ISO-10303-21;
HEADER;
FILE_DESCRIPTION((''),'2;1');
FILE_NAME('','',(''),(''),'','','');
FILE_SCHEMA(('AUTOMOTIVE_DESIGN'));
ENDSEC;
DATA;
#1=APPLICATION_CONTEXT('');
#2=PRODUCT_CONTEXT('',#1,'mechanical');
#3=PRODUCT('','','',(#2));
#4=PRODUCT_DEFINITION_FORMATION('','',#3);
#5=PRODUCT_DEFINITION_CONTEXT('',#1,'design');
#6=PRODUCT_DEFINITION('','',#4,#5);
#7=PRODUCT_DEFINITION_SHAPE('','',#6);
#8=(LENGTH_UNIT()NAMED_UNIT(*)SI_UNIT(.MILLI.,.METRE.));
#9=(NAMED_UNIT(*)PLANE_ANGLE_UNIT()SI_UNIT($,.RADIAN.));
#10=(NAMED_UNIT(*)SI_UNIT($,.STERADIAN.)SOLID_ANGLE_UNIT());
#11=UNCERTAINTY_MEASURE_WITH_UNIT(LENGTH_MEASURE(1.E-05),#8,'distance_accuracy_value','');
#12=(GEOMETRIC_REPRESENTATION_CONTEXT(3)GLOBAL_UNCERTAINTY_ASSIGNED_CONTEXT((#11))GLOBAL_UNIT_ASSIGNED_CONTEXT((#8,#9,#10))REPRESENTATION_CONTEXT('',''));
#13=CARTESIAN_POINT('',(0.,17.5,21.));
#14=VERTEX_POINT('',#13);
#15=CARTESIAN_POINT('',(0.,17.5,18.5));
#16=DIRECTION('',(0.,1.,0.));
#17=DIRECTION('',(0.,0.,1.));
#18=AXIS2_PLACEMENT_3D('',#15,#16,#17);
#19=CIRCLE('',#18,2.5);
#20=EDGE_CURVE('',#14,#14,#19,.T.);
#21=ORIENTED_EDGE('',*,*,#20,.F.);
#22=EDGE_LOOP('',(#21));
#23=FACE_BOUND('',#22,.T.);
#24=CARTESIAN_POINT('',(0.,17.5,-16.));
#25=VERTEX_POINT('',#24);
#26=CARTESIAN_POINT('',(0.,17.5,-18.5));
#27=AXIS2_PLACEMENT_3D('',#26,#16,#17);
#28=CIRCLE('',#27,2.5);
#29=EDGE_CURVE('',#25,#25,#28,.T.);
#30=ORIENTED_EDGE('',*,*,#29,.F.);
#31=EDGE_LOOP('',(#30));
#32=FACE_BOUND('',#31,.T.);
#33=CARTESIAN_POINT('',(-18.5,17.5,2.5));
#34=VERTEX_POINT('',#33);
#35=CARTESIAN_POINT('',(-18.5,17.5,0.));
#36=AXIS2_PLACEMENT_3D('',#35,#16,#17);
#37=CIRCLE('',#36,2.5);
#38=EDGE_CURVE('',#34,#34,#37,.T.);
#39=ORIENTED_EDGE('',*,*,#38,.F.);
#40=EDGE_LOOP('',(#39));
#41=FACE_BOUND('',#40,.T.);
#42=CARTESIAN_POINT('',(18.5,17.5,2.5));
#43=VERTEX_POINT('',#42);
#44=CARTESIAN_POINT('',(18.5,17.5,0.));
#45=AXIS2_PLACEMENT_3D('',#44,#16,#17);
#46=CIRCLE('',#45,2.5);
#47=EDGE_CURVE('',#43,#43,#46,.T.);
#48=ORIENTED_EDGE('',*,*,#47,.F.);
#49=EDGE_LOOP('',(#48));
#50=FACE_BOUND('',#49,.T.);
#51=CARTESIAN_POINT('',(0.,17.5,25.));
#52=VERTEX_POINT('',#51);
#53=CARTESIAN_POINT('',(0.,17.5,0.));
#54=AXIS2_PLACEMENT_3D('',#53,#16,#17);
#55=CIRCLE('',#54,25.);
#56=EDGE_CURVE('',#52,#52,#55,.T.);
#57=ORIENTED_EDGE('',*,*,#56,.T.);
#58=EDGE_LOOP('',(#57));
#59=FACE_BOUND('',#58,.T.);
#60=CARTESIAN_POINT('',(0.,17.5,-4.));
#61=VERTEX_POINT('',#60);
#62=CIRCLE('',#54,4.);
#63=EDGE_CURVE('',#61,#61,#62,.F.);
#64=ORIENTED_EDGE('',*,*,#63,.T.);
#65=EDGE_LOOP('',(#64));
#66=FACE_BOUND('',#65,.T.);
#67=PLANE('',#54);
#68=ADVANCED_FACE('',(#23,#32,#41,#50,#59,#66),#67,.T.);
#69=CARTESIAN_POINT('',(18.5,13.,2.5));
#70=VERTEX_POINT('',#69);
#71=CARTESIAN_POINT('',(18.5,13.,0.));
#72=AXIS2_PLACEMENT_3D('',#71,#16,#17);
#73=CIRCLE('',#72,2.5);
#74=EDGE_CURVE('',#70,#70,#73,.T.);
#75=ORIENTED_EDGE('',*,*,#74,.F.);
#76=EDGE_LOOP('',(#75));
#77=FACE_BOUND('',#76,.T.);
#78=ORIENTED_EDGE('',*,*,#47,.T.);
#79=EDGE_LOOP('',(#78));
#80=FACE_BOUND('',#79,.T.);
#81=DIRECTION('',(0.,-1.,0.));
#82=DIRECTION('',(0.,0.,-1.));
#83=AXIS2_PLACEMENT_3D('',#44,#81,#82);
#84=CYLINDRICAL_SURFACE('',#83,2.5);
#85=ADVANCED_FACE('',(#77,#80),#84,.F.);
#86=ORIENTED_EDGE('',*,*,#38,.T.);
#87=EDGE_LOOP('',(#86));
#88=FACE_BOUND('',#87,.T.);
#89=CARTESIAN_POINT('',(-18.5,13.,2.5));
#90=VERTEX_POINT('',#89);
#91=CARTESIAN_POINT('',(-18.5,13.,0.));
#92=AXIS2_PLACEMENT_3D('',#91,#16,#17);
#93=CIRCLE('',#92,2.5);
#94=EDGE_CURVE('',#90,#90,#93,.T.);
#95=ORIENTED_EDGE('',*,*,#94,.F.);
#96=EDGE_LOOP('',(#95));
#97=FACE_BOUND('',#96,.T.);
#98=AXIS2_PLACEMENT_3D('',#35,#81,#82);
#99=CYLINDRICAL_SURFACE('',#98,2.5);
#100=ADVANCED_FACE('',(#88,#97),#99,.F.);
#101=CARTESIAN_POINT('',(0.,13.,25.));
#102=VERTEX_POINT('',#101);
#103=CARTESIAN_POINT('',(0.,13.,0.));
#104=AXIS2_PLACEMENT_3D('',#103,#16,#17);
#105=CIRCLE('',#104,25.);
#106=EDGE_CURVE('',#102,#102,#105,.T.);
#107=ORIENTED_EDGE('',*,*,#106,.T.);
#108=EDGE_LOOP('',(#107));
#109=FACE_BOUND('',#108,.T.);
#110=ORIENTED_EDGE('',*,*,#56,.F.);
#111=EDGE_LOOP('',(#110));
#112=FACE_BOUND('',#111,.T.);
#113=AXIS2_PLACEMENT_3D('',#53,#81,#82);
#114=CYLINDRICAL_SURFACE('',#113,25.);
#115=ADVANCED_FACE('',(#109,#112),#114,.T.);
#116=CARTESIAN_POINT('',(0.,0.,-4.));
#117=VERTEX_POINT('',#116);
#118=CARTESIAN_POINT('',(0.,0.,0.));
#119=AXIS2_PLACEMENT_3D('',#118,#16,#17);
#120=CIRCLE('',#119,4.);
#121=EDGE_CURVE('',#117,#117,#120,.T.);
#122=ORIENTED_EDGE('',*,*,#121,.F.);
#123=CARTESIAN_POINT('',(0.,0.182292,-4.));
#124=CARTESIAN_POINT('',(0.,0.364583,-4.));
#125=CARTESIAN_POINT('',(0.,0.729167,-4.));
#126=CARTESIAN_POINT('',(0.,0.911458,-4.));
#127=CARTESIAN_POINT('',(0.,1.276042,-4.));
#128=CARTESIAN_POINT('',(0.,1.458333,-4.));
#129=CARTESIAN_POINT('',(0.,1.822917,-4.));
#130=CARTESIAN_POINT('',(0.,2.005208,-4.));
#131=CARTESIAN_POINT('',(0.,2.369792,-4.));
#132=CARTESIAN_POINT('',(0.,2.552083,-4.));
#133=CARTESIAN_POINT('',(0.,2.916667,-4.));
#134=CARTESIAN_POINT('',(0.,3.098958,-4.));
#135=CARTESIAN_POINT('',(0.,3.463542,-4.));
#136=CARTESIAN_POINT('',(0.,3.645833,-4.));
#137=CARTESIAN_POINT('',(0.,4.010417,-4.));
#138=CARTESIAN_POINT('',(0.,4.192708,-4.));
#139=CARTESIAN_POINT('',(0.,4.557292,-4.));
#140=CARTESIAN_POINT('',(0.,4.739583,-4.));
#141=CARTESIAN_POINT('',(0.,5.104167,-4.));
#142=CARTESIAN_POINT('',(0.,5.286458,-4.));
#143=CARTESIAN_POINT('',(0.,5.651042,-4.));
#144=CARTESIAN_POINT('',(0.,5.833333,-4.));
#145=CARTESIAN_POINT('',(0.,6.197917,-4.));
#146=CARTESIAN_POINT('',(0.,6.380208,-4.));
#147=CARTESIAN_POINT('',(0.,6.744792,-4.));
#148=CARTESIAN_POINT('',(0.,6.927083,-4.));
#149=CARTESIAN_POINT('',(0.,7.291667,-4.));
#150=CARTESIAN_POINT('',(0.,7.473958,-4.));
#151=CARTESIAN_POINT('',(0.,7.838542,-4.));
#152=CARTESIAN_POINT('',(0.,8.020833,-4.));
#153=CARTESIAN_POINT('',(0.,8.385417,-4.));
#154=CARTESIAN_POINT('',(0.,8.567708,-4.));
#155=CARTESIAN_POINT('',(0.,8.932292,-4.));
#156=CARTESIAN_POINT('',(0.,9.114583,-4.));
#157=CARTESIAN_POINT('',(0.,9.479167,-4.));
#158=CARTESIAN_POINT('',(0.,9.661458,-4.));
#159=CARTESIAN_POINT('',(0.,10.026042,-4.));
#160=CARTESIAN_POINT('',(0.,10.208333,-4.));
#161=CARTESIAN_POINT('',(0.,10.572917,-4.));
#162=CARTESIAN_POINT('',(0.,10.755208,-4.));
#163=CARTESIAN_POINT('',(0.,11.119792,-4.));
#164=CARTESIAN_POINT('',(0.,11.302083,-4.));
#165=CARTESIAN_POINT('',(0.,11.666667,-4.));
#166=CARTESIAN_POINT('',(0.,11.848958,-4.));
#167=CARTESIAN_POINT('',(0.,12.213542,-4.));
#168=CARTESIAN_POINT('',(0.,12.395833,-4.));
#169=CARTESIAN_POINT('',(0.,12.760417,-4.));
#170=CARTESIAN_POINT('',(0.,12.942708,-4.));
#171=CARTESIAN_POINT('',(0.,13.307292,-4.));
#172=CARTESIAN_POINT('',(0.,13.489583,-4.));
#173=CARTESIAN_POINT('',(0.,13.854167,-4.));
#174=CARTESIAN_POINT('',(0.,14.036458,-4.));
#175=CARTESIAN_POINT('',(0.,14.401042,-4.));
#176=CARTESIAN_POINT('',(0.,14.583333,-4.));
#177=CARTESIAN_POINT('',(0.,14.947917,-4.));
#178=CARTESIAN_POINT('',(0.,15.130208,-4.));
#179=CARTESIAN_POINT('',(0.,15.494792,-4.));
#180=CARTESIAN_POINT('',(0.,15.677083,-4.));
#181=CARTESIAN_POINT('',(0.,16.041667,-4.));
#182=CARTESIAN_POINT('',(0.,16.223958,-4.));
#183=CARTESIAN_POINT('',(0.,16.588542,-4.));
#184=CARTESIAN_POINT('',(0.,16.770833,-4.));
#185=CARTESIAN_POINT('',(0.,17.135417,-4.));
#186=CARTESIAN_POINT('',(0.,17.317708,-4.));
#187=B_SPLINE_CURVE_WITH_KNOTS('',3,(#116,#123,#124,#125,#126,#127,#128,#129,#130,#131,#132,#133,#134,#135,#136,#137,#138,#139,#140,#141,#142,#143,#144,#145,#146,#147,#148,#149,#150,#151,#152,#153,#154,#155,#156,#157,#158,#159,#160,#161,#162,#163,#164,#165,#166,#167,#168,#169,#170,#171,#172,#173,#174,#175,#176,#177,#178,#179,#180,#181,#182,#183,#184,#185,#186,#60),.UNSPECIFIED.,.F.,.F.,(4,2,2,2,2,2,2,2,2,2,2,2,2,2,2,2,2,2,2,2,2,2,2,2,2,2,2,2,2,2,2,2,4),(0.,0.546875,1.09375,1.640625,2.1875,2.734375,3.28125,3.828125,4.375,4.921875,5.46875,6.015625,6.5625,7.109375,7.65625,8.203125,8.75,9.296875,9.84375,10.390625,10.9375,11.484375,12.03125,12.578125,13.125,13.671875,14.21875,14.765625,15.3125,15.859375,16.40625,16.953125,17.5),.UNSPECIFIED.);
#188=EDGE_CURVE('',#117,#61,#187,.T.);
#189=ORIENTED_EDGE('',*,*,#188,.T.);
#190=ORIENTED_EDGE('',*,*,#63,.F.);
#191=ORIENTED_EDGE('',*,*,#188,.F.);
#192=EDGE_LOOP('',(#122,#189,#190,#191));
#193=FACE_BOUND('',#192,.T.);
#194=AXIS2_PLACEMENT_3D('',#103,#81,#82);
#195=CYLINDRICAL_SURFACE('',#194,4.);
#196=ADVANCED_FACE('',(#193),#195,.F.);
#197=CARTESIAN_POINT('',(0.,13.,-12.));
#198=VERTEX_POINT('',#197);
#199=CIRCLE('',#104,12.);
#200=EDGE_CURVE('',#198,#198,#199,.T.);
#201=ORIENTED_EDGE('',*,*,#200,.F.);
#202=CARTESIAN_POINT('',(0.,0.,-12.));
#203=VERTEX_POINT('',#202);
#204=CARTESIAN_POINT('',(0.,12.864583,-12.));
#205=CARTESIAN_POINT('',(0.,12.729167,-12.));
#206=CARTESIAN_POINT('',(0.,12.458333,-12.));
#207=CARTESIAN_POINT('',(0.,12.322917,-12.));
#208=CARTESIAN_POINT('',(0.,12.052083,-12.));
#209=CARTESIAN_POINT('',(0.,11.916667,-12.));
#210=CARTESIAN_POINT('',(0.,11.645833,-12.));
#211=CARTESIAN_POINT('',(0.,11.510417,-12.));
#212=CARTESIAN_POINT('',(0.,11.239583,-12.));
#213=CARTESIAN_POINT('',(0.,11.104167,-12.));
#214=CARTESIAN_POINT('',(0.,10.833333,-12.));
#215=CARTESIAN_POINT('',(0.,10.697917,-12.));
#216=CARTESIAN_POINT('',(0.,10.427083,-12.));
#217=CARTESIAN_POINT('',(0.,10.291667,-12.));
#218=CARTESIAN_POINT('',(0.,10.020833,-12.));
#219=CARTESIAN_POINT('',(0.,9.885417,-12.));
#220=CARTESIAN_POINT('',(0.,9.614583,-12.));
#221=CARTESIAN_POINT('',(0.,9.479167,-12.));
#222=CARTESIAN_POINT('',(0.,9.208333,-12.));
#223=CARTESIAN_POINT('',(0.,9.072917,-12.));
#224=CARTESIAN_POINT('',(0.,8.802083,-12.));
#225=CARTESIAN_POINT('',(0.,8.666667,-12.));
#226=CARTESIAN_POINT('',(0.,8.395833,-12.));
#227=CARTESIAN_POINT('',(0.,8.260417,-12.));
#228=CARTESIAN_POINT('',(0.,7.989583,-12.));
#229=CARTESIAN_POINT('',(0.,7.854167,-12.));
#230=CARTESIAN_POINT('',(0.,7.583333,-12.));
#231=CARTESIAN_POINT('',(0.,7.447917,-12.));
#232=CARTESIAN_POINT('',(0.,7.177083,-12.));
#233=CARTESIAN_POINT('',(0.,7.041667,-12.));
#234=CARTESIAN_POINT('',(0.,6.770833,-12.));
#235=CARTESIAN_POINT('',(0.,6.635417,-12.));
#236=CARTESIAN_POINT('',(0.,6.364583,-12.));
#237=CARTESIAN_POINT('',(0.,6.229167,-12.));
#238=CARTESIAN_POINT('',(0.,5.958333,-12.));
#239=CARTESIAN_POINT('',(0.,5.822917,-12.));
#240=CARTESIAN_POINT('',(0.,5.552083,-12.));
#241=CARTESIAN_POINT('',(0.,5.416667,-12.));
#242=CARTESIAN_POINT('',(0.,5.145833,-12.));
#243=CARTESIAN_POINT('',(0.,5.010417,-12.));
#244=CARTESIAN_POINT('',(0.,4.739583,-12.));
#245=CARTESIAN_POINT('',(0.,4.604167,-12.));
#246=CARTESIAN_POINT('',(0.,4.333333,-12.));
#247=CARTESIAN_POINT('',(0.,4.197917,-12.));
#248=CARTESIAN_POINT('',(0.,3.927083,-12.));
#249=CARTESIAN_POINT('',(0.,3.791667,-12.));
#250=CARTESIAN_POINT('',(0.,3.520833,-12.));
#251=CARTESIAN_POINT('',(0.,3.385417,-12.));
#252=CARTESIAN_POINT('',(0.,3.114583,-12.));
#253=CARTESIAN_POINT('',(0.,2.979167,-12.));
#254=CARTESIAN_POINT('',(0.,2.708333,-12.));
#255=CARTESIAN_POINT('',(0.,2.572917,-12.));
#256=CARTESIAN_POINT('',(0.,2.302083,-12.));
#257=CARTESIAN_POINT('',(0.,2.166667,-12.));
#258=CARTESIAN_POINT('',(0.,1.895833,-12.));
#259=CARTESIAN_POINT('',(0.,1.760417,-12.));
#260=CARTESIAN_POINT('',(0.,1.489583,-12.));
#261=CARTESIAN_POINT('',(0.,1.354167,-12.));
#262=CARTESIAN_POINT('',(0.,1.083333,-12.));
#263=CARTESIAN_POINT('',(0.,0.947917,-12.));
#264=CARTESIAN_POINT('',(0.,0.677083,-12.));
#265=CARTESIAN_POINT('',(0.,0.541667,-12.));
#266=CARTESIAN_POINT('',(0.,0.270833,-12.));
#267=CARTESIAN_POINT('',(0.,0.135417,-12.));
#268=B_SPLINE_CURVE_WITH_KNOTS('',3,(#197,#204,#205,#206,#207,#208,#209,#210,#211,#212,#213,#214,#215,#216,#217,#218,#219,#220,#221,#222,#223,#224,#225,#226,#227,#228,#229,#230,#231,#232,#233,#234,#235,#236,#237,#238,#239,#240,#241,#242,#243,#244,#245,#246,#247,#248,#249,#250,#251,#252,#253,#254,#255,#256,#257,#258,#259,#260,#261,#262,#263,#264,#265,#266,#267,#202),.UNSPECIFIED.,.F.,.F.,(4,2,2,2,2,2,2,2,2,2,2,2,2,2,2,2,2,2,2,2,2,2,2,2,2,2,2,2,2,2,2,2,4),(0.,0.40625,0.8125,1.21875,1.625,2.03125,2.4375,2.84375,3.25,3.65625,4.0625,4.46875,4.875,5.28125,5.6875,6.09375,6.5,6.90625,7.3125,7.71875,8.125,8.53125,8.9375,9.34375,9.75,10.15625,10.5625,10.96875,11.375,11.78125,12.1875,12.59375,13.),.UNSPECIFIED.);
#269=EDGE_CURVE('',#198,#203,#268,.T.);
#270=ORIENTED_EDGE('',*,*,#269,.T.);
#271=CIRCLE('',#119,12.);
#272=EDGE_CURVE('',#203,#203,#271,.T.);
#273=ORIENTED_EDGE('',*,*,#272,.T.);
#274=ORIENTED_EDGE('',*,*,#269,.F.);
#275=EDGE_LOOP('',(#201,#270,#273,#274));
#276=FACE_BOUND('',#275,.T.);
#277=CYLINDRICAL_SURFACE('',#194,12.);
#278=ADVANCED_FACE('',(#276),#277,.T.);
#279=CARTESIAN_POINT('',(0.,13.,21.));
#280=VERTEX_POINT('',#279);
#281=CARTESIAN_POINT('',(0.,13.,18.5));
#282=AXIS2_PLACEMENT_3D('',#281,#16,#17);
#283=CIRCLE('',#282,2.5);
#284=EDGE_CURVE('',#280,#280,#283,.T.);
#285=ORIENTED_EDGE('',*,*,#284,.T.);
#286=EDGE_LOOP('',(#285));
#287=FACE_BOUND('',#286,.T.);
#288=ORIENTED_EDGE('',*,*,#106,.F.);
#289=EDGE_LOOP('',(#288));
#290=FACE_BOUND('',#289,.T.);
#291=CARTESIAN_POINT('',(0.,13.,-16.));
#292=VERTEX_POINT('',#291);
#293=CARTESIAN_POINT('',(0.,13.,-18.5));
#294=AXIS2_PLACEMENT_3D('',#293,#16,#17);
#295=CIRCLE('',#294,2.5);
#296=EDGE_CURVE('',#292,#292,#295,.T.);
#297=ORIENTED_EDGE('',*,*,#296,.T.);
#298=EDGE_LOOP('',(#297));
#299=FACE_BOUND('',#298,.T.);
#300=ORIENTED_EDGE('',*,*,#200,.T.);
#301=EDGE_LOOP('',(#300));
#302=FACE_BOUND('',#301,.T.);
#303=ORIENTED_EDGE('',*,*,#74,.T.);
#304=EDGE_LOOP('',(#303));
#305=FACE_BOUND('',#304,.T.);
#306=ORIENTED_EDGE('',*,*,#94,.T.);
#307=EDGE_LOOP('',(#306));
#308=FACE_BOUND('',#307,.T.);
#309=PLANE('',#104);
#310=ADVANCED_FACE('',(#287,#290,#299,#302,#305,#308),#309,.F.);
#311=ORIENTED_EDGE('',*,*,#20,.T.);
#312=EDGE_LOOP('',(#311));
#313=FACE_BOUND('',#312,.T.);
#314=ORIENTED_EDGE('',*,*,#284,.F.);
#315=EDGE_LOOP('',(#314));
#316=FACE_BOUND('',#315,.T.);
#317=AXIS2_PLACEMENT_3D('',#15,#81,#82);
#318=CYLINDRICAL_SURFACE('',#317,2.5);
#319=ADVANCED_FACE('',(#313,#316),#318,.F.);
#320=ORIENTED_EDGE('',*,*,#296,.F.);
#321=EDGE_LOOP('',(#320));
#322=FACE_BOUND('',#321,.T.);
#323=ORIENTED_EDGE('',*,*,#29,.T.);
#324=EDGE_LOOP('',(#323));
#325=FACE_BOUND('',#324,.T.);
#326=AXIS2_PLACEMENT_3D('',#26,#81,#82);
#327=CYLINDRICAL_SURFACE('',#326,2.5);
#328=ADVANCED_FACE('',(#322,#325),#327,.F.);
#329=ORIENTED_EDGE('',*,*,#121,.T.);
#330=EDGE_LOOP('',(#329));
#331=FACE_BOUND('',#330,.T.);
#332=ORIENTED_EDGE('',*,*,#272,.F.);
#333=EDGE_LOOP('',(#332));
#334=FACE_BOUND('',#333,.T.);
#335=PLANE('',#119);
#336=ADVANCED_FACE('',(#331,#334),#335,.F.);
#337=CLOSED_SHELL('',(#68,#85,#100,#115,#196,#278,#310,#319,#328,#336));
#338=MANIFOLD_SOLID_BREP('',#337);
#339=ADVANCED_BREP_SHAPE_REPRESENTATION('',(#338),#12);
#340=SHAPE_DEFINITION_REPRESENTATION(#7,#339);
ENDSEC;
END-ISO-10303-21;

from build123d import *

# Parameters (mm, degrees)
SKETCH_1_R      = 12
SKETCH_1_R_2    = 4
EXTRUDE_1_DEPTH = 13
SKETCH_2_R      = 25
SKETCH_2_R_2    = 4
SKETCH_2_R_3    = 2.5
EXTRUDE_2_DEPTH = 4.5


with BuildPart() as part:
    # 草图1 → 凸台-拉伸1 (new body)
    with BuildSketch(Plane(origin=(0, 0, 0), x_dir=(1, 0, 0), z_dir=(0, 1, 0))):
        with Locations(Location((0, 0, 0), (0, 0, 90))):
            Circle(SKETCH_1_R)
        with Locations(Location((0, 0, 0), (0, 0, 90))):
            Circle(SKETCH_1_R_2, mode=Mode.SUBTRACT)
    extrude(amount=EXTRUDE_1_DEPTH)

    # 草图2 → 凸台-拉伸2 (add)
    with BuildSketch(Plane(origin=(0, 13, 0), x_dir=(1, 0, 0), z_dir=(0, 1, 0))):
        with Locations(Location((0, 0, 0), (0, 0, 270))):
            Circle(SKETCH_2_R)
        with Locations(Location((0, 0, 0), (0, 0, 90))):
            Circle(SKETCH_2_R_2, mode=Mode.SUBTRACT)
        with Locations(Location((0, 18.5, 0), (0, 0, 270))):
            Circle(SKETCH_2_R_3, mode=Mode.SUBTRACT)
        with Locations(Location((-18.5, 0, 0), (0, 0, 270))):
            Circle(SKETCH_2_R_3, mode=Mode.SUBTRACT)
        with Locations(Location((18.5, 0, 0), (0, 0, 270))):
            Circle(SKETCH_2_R_3, mode=Mode.SUBTRACT)
        with Locations(Location((0, -18.5, 0), (0, 0, 270))):
            Circle(SKETCH_2_R_3, mode=Mode.SUBTRACT)
    extrude(amount=EXTRUDE_2_DEPTH)


solid = part.part
